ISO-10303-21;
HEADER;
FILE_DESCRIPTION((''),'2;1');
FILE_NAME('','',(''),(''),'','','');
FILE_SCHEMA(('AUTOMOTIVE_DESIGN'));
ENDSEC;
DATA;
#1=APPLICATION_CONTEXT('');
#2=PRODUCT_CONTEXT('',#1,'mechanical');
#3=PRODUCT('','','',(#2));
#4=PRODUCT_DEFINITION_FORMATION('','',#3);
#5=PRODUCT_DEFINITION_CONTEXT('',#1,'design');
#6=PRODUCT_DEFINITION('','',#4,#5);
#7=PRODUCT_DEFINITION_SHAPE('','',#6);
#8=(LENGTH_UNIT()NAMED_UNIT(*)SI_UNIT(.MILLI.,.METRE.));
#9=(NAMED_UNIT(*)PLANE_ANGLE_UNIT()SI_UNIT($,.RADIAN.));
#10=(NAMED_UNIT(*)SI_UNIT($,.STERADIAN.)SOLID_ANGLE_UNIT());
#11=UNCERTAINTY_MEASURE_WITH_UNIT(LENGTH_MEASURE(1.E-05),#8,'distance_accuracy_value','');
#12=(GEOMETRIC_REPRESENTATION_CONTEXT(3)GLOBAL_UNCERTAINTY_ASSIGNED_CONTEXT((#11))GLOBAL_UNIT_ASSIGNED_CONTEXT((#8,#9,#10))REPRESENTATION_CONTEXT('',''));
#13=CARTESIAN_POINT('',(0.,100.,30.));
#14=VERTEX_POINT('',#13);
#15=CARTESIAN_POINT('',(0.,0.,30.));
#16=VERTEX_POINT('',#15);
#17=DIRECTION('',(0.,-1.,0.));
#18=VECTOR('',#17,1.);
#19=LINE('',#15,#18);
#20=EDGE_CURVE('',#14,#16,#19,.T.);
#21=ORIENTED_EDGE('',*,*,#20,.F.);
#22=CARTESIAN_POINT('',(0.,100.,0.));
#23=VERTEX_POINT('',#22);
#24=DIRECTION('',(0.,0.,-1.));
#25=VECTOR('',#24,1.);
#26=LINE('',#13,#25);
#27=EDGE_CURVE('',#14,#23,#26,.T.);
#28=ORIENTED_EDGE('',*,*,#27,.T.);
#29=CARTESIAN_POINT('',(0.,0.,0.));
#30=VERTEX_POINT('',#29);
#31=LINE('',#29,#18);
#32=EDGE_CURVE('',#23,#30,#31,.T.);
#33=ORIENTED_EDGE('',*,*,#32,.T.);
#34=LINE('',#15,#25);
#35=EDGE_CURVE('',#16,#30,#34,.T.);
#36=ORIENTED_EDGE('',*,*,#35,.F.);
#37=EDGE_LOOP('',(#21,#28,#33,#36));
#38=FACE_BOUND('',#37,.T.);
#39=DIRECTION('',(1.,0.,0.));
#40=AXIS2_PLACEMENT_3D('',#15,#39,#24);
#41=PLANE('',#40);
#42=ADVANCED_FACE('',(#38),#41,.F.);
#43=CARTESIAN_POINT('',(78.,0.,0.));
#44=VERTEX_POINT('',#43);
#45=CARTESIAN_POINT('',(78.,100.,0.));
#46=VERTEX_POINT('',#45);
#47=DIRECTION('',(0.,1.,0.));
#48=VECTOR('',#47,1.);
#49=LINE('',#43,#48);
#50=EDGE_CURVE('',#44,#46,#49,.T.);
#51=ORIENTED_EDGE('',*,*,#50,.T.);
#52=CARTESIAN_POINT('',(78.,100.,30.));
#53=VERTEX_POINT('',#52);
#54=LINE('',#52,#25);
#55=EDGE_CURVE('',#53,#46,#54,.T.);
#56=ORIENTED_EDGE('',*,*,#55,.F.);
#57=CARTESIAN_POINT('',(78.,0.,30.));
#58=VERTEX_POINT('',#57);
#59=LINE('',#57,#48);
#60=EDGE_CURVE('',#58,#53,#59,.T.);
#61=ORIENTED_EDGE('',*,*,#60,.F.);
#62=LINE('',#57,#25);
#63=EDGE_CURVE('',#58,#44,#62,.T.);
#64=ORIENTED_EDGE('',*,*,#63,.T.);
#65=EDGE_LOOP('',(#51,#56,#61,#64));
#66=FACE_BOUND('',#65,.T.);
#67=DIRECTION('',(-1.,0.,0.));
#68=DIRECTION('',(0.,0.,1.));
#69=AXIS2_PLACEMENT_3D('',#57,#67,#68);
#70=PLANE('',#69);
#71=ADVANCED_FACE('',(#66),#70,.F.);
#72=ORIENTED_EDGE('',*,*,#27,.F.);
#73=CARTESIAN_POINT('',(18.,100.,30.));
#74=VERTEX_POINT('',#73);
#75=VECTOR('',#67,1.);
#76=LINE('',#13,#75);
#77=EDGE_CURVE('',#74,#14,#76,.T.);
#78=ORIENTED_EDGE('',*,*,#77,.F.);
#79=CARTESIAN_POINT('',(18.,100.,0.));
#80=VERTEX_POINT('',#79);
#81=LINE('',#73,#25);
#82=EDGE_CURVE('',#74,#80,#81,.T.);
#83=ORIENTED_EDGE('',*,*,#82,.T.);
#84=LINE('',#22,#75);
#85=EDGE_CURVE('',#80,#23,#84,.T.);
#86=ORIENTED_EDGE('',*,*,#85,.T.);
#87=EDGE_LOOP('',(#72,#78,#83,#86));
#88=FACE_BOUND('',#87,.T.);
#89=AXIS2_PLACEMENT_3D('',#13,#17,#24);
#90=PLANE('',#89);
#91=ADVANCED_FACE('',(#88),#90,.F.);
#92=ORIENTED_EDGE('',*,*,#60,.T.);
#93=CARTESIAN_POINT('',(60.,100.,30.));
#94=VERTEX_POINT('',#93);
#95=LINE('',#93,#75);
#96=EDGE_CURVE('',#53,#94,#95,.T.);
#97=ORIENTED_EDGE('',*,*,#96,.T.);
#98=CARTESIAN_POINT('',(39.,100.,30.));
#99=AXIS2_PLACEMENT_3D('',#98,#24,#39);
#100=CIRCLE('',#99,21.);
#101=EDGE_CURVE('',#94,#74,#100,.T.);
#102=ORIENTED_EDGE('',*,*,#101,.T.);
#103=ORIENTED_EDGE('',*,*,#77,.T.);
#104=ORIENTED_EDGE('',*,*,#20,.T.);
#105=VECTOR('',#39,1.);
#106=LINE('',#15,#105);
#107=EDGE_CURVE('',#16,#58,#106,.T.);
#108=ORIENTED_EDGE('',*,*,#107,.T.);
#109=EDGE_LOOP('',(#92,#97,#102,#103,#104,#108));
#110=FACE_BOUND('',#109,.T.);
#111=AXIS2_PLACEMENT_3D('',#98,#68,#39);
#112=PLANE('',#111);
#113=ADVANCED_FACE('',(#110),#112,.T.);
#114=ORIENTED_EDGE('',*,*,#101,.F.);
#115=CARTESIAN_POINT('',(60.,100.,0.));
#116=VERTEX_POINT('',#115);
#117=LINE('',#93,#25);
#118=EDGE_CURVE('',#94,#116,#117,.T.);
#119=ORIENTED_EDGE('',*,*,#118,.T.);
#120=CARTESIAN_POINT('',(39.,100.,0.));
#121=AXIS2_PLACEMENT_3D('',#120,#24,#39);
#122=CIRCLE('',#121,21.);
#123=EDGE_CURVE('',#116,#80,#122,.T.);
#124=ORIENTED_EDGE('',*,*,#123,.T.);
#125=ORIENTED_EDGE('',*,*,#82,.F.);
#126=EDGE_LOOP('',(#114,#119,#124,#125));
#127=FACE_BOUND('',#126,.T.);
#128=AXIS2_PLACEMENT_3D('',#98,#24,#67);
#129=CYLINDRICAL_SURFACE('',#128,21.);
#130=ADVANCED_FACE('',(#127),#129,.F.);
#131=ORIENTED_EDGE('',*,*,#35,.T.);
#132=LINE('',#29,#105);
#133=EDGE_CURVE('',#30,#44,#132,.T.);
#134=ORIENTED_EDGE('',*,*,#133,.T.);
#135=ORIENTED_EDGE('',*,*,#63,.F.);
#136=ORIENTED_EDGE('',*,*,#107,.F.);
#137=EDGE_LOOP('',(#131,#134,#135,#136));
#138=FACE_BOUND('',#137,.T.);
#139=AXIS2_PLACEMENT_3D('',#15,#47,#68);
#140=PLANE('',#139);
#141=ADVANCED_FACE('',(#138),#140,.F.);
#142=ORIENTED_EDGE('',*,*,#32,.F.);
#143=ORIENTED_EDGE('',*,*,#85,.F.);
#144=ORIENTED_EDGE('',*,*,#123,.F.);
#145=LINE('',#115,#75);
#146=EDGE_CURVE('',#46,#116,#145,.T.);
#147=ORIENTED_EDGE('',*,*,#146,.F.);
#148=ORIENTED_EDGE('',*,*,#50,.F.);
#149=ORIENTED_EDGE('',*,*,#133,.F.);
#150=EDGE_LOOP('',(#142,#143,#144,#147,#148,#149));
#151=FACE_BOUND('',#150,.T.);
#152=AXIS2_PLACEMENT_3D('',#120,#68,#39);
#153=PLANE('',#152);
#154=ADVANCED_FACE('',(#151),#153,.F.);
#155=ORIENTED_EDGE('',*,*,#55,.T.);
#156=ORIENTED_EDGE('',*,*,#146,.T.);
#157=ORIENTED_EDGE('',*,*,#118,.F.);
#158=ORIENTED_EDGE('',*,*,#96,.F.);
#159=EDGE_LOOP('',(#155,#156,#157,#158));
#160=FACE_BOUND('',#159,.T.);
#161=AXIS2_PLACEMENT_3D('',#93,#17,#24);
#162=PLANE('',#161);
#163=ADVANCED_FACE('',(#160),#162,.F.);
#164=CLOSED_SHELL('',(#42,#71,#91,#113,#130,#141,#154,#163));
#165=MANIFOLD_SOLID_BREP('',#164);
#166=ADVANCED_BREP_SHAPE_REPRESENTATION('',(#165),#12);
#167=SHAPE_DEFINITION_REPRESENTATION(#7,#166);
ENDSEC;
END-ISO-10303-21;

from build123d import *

# Parameters (mm, degrees)
EXTRUDE_1_DEPTH = 30


with BuildPart() as part:
    # 草图1 → 拉伸1 (new body)
    with BuildSketch(Plane.XY):
        with BuildLine():
            Line((0, 0), (78, 0))
            Line((78, 0), (78, 100))
            Line((78, 100), (60, 100))
            ThreePointArc((60, 100), (39, 79), (18, 100))
            Line((18, 100), (0, 100))
            Line((0, 100), (0, 0))
        make_face()
    extrude(amount=EXTRUDE_1_DEPTH)


solid = part.part
